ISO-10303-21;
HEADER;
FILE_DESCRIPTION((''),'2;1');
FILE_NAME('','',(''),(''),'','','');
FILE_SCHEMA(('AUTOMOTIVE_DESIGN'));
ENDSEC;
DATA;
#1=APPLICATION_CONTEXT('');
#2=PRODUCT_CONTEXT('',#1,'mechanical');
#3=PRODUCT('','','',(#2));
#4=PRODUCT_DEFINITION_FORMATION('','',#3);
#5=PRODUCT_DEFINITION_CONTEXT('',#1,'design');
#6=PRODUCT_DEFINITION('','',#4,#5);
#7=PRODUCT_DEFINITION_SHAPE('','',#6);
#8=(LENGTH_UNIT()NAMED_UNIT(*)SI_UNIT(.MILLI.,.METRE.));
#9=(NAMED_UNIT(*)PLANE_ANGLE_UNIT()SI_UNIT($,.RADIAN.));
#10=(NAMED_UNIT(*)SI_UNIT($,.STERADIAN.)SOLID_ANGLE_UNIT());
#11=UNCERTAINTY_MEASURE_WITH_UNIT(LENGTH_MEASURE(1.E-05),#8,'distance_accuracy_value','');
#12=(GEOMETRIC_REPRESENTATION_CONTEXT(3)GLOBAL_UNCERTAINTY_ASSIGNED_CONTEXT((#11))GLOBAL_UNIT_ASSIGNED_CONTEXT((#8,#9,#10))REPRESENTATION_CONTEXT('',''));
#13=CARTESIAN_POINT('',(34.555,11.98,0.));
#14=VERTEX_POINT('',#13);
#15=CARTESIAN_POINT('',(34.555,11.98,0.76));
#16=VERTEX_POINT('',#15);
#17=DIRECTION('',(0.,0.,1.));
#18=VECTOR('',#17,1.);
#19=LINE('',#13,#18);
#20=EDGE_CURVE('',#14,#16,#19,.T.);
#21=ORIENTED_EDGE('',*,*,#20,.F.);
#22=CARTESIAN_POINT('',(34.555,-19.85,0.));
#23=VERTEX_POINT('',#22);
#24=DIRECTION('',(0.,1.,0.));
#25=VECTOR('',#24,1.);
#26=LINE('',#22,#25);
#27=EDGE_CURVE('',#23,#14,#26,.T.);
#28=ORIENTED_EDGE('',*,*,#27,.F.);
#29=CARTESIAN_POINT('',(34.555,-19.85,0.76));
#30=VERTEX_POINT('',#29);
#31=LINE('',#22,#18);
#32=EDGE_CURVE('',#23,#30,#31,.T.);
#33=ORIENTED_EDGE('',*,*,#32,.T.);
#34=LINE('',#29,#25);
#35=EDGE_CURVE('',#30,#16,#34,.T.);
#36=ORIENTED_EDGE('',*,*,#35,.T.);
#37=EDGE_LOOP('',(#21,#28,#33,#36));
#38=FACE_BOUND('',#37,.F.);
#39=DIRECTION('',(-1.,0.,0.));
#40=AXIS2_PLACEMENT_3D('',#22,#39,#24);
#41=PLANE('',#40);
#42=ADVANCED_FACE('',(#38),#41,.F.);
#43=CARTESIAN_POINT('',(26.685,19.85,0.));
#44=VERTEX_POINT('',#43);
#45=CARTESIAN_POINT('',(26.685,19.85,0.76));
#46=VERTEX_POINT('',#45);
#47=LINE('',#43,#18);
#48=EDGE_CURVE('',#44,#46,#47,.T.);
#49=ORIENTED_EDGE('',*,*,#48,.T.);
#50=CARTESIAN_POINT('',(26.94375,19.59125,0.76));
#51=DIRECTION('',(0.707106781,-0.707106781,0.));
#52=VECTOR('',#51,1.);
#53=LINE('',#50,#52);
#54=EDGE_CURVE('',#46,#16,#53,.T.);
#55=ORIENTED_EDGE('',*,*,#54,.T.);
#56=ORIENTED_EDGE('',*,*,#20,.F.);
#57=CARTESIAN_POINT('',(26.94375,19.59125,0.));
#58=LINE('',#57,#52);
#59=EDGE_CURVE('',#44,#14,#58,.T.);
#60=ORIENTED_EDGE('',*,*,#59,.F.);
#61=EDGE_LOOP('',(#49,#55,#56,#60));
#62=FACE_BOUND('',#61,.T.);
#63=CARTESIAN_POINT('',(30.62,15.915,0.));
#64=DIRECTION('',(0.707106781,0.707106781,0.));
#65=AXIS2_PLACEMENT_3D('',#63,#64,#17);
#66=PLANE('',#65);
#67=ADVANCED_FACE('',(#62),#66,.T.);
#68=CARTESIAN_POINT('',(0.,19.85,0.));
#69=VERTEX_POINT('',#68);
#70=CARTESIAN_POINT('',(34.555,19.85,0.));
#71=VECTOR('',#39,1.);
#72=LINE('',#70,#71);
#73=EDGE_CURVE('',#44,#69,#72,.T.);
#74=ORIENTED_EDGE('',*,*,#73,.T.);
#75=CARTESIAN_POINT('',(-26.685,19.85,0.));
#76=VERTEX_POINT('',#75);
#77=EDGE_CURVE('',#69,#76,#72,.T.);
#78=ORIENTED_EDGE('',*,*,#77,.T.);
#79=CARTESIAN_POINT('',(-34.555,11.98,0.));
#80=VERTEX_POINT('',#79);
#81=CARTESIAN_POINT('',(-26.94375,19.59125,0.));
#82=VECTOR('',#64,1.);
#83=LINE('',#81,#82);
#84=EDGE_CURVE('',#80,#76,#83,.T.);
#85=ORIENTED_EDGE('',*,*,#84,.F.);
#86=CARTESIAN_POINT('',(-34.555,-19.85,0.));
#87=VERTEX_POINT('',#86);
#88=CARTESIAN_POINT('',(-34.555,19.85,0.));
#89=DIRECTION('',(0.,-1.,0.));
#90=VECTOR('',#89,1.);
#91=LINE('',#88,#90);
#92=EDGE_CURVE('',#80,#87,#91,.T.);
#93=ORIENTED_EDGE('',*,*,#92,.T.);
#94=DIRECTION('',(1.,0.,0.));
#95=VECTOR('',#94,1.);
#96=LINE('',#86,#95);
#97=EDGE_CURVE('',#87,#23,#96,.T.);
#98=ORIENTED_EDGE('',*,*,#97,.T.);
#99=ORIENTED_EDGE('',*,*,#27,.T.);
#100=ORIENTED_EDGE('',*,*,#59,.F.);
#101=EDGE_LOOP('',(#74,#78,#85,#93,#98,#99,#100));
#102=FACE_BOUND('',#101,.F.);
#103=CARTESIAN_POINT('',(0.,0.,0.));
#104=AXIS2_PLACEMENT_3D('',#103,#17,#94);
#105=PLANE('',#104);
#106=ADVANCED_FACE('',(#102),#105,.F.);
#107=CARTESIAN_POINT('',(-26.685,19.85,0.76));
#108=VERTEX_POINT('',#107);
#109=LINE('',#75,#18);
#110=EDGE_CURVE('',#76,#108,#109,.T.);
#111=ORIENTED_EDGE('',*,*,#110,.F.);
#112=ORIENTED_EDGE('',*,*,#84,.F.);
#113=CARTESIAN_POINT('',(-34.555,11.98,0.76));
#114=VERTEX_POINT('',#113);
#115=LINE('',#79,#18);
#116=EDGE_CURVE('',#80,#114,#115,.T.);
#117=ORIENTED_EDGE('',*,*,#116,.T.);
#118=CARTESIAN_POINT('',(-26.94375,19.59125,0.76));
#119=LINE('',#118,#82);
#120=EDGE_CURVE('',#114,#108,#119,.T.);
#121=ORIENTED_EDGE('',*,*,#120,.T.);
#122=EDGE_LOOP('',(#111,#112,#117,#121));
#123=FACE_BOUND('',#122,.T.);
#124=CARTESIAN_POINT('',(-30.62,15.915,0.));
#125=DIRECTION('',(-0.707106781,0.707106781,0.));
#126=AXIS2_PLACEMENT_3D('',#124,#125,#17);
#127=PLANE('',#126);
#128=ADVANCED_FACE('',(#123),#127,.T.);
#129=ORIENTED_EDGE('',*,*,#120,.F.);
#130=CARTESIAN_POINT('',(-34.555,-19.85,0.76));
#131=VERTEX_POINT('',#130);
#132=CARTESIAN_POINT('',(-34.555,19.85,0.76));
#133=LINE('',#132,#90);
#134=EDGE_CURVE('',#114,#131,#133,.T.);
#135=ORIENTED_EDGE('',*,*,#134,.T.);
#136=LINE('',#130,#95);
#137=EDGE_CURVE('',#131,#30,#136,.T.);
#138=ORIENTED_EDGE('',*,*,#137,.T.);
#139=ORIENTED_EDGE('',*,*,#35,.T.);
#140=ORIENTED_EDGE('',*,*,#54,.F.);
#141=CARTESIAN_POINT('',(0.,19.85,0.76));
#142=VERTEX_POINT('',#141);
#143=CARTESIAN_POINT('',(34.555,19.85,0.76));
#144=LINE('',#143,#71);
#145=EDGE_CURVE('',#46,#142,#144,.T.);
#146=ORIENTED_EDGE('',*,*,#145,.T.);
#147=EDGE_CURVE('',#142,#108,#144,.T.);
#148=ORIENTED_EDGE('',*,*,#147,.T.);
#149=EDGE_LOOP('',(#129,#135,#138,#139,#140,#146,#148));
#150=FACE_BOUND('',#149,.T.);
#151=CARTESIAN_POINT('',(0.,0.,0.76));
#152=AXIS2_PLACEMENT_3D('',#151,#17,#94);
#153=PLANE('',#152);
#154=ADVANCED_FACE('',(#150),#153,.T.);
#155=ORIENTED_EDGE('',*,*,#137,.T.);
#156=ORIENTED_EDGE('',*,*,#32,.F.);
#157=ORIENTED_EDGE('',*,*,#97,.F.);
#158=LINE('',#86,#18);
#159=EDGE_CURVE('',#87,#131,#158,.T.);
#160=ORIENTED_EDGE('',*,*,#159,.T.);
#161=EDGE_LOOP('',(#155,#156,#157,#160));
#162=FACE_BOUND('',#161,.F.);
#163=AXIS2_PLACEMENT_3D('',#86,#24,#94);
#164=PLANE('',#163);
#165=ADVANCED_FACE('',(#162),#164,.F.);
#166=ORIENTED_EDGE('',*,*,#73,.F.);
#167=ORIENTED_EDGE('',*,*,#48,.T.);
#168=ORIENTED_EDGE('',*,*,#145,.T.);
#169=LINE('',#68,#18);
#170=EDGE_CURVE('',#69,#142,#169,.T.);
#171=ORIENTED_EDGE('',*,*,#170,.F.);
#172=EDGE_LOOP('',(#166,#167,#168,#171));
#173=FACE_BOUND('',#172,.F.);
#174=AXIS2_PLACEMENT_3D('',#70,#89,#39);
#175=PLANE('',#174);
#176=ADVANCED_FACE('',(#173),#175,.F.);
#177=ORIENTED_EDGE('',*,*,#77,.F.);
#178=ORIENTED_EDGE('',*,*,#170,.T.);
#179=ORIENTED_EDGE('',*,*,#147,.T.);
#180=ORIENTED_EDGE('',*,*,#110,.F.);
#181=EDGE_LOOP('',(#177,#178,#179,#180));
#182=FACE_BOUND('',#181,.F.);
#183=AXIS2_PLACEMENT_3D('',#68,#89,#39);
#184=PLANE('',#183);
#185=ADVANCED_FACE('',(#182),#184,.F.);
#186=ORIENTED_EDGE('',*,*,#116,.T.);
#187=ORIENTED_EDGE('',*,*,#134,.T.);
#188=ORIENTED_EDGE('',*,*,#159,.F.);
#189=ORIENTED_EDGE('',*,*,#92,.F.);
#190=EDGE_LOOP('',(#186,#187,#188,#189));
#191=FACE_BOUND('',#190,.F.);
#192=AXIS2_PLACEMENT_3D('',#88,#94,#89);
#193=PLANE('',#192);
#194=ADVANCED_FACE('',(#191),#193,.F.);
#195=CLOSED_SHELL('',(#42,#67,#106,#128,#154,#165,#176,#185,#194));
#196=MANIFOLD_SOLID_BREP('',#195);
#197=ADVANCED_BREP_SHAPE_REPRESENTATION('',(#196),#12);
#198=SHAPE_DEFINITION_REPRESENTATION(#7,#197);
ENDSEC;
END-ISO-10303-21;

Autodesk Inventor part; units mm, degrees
ref_plane "YZ Plane" through (0, 0, 0) normal (1, 0, 0) x (0, 1, 0)
ref_plane "XZ Plane" through (0, 0, 0) normal (0, 1, 0) x (-1, 0, 0)
ref_plane "XY Plane" through (0, 0, 0) normal (0, 0, 1) x (1, 0, 0)
sketch "Sketch1" plane through (0, 0, 0) normal (0, 0, 1) x (1, 0, 0)
  line L0 (-34.555, -19.85) -> (34.555, -19.85)
  line L1 (34.555, -19.85) -> (34.555, 19.85)
  line L2 (34.555, 19.85) -> (-34.555, 19.85)
  line L3 (-34.555, 19.85) -> (-34.555, -19.85)
  line L4 (0, 0) -> (18.4277, 0)
  line L5 (0, 0) -> (0, 21.1115)
  dimension "d0" = 69.11
  dimension "d1" = 39.7
extrude "Extrusion1" add sketch "Sketch1" along normal blind 0.76
chamfer "Chamfer1" distance 7.87 angle 45 2 edges at (34.555, 19.85, 0.38) (-34.555, 19.85, 0.38)
sketch "Sketch2" plane through (0, 0, 0.76) normal (0, 0, 1) x (1, 0, 0)
  line L0 (-34.555, -19.85) -> (-34.555, 11.98) projected
  line L1 (34.555, -19.85) -> (-34.555, -19.85) projected
  line L2 (34.555, 11.98) -> (34.555, -19.85) projected
  line L3 (-26.685, 19.85) -> (26.685, 19.85) projected
  line L4 (-34.4594, 20.0154) -> (34.555, 19.85) construction
  line L5 (34.555, 19.85) -> (34.4594, -20.0154) construction
  line L6 (34.4594, -20.0154) -> (-34.555, -19.85) construction
  line L7 (-34.555, -19.85) -> (-34.4594, 20.0154) construction
  point P0 (0, 0)
decal "Decal1"
properties part number "SpaceQuest_UTJ_2"
